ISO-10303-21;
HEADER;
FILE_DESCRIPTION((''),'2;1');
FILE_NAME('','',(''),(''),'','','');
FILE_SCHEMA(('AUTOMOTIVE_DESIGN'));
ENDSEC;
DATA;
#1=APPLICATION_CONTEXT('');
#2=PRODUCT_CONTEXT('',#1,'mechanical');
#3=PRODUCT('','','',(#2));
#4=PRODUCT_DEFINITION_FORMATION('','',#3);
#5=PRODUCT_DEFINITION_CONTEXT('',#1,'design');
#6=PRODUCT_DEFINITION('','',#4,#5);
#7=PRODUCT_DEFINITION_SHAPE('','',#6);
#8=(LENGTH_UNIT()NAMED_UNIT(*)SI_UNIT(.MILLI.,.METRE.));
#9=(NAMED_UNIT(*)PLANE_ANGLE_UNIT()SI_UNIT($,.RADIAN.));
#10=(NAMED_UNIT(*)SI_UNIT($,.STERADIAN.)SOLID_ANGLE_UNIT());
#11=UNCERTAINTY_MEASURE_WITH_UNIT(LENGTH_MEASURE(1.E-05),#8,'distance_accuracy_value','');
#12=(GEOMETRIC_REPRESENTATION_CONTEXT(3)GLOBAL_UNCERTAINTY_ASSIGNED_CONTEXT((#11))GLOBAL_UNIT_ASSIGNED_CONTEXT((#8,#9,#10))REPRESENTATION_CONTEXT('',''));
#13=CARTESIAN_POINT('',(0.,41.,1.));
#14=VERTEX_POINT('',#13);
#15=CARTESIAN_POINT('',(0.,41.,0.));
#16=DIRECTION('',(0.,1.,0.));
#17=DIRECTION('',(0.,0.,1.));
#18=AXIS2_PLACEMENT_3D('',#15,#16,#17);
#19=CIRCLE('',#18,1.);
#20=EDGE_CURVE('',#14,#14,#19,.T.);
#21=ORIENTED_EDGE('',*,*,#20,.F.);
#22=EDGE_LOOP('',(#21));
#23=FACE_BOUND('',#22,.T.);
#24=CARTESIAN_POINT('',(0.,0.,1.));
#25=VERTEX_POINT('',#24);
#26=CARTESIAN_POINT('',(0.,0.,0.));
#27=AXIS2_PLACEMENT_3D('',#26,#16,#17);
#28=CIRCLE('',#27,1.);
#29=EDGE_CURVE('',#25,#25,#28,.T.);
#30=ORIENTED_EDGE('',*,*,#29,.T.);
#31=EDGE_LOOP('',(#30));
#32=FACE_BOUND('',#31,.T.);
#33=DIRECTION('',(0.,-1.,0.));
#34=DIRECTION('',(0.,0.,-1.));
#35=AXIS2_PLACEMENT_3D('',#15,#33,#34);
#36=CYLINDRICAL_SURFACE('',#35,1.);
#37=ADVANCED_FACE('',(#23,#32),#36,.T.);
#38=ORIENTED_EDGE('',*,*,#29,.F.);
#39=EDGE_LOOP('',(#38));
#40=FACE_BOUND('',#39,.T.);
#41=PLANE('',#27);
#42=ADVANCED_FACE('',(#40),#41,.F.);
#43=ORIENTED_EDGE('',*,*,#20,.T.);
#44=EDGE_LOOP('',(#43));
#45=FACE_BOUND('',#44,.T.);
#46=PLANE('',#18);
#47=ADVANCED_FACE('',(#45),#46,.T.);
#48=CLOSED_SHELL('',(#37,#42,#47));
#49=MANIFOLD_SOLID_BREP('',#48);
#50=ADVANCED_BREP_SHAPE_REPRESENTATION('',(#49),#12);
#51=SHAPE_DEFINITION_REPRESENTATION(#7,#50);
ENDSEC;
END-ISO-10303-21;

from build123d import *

# Parameters (mm, degrees)
SKETCH_1_R      = 1
EXTRUDE_1_DEPTH = 41


with BuildPart() as part:
    # 草图1 → 凸台-拉伸1 (new body)
    with BuildSketch(Plane(origin=(0, 0, 0), x_dir=(1, 0, 0), z_dir=(0, 1, 0))):
        with Locations(Location((0, 0, 0), (0, 0, 270))):
            Circle(SKETCH_1_R)
    extrude(amount=EXTRUDE_1_DEPTH)


solid = part.part
